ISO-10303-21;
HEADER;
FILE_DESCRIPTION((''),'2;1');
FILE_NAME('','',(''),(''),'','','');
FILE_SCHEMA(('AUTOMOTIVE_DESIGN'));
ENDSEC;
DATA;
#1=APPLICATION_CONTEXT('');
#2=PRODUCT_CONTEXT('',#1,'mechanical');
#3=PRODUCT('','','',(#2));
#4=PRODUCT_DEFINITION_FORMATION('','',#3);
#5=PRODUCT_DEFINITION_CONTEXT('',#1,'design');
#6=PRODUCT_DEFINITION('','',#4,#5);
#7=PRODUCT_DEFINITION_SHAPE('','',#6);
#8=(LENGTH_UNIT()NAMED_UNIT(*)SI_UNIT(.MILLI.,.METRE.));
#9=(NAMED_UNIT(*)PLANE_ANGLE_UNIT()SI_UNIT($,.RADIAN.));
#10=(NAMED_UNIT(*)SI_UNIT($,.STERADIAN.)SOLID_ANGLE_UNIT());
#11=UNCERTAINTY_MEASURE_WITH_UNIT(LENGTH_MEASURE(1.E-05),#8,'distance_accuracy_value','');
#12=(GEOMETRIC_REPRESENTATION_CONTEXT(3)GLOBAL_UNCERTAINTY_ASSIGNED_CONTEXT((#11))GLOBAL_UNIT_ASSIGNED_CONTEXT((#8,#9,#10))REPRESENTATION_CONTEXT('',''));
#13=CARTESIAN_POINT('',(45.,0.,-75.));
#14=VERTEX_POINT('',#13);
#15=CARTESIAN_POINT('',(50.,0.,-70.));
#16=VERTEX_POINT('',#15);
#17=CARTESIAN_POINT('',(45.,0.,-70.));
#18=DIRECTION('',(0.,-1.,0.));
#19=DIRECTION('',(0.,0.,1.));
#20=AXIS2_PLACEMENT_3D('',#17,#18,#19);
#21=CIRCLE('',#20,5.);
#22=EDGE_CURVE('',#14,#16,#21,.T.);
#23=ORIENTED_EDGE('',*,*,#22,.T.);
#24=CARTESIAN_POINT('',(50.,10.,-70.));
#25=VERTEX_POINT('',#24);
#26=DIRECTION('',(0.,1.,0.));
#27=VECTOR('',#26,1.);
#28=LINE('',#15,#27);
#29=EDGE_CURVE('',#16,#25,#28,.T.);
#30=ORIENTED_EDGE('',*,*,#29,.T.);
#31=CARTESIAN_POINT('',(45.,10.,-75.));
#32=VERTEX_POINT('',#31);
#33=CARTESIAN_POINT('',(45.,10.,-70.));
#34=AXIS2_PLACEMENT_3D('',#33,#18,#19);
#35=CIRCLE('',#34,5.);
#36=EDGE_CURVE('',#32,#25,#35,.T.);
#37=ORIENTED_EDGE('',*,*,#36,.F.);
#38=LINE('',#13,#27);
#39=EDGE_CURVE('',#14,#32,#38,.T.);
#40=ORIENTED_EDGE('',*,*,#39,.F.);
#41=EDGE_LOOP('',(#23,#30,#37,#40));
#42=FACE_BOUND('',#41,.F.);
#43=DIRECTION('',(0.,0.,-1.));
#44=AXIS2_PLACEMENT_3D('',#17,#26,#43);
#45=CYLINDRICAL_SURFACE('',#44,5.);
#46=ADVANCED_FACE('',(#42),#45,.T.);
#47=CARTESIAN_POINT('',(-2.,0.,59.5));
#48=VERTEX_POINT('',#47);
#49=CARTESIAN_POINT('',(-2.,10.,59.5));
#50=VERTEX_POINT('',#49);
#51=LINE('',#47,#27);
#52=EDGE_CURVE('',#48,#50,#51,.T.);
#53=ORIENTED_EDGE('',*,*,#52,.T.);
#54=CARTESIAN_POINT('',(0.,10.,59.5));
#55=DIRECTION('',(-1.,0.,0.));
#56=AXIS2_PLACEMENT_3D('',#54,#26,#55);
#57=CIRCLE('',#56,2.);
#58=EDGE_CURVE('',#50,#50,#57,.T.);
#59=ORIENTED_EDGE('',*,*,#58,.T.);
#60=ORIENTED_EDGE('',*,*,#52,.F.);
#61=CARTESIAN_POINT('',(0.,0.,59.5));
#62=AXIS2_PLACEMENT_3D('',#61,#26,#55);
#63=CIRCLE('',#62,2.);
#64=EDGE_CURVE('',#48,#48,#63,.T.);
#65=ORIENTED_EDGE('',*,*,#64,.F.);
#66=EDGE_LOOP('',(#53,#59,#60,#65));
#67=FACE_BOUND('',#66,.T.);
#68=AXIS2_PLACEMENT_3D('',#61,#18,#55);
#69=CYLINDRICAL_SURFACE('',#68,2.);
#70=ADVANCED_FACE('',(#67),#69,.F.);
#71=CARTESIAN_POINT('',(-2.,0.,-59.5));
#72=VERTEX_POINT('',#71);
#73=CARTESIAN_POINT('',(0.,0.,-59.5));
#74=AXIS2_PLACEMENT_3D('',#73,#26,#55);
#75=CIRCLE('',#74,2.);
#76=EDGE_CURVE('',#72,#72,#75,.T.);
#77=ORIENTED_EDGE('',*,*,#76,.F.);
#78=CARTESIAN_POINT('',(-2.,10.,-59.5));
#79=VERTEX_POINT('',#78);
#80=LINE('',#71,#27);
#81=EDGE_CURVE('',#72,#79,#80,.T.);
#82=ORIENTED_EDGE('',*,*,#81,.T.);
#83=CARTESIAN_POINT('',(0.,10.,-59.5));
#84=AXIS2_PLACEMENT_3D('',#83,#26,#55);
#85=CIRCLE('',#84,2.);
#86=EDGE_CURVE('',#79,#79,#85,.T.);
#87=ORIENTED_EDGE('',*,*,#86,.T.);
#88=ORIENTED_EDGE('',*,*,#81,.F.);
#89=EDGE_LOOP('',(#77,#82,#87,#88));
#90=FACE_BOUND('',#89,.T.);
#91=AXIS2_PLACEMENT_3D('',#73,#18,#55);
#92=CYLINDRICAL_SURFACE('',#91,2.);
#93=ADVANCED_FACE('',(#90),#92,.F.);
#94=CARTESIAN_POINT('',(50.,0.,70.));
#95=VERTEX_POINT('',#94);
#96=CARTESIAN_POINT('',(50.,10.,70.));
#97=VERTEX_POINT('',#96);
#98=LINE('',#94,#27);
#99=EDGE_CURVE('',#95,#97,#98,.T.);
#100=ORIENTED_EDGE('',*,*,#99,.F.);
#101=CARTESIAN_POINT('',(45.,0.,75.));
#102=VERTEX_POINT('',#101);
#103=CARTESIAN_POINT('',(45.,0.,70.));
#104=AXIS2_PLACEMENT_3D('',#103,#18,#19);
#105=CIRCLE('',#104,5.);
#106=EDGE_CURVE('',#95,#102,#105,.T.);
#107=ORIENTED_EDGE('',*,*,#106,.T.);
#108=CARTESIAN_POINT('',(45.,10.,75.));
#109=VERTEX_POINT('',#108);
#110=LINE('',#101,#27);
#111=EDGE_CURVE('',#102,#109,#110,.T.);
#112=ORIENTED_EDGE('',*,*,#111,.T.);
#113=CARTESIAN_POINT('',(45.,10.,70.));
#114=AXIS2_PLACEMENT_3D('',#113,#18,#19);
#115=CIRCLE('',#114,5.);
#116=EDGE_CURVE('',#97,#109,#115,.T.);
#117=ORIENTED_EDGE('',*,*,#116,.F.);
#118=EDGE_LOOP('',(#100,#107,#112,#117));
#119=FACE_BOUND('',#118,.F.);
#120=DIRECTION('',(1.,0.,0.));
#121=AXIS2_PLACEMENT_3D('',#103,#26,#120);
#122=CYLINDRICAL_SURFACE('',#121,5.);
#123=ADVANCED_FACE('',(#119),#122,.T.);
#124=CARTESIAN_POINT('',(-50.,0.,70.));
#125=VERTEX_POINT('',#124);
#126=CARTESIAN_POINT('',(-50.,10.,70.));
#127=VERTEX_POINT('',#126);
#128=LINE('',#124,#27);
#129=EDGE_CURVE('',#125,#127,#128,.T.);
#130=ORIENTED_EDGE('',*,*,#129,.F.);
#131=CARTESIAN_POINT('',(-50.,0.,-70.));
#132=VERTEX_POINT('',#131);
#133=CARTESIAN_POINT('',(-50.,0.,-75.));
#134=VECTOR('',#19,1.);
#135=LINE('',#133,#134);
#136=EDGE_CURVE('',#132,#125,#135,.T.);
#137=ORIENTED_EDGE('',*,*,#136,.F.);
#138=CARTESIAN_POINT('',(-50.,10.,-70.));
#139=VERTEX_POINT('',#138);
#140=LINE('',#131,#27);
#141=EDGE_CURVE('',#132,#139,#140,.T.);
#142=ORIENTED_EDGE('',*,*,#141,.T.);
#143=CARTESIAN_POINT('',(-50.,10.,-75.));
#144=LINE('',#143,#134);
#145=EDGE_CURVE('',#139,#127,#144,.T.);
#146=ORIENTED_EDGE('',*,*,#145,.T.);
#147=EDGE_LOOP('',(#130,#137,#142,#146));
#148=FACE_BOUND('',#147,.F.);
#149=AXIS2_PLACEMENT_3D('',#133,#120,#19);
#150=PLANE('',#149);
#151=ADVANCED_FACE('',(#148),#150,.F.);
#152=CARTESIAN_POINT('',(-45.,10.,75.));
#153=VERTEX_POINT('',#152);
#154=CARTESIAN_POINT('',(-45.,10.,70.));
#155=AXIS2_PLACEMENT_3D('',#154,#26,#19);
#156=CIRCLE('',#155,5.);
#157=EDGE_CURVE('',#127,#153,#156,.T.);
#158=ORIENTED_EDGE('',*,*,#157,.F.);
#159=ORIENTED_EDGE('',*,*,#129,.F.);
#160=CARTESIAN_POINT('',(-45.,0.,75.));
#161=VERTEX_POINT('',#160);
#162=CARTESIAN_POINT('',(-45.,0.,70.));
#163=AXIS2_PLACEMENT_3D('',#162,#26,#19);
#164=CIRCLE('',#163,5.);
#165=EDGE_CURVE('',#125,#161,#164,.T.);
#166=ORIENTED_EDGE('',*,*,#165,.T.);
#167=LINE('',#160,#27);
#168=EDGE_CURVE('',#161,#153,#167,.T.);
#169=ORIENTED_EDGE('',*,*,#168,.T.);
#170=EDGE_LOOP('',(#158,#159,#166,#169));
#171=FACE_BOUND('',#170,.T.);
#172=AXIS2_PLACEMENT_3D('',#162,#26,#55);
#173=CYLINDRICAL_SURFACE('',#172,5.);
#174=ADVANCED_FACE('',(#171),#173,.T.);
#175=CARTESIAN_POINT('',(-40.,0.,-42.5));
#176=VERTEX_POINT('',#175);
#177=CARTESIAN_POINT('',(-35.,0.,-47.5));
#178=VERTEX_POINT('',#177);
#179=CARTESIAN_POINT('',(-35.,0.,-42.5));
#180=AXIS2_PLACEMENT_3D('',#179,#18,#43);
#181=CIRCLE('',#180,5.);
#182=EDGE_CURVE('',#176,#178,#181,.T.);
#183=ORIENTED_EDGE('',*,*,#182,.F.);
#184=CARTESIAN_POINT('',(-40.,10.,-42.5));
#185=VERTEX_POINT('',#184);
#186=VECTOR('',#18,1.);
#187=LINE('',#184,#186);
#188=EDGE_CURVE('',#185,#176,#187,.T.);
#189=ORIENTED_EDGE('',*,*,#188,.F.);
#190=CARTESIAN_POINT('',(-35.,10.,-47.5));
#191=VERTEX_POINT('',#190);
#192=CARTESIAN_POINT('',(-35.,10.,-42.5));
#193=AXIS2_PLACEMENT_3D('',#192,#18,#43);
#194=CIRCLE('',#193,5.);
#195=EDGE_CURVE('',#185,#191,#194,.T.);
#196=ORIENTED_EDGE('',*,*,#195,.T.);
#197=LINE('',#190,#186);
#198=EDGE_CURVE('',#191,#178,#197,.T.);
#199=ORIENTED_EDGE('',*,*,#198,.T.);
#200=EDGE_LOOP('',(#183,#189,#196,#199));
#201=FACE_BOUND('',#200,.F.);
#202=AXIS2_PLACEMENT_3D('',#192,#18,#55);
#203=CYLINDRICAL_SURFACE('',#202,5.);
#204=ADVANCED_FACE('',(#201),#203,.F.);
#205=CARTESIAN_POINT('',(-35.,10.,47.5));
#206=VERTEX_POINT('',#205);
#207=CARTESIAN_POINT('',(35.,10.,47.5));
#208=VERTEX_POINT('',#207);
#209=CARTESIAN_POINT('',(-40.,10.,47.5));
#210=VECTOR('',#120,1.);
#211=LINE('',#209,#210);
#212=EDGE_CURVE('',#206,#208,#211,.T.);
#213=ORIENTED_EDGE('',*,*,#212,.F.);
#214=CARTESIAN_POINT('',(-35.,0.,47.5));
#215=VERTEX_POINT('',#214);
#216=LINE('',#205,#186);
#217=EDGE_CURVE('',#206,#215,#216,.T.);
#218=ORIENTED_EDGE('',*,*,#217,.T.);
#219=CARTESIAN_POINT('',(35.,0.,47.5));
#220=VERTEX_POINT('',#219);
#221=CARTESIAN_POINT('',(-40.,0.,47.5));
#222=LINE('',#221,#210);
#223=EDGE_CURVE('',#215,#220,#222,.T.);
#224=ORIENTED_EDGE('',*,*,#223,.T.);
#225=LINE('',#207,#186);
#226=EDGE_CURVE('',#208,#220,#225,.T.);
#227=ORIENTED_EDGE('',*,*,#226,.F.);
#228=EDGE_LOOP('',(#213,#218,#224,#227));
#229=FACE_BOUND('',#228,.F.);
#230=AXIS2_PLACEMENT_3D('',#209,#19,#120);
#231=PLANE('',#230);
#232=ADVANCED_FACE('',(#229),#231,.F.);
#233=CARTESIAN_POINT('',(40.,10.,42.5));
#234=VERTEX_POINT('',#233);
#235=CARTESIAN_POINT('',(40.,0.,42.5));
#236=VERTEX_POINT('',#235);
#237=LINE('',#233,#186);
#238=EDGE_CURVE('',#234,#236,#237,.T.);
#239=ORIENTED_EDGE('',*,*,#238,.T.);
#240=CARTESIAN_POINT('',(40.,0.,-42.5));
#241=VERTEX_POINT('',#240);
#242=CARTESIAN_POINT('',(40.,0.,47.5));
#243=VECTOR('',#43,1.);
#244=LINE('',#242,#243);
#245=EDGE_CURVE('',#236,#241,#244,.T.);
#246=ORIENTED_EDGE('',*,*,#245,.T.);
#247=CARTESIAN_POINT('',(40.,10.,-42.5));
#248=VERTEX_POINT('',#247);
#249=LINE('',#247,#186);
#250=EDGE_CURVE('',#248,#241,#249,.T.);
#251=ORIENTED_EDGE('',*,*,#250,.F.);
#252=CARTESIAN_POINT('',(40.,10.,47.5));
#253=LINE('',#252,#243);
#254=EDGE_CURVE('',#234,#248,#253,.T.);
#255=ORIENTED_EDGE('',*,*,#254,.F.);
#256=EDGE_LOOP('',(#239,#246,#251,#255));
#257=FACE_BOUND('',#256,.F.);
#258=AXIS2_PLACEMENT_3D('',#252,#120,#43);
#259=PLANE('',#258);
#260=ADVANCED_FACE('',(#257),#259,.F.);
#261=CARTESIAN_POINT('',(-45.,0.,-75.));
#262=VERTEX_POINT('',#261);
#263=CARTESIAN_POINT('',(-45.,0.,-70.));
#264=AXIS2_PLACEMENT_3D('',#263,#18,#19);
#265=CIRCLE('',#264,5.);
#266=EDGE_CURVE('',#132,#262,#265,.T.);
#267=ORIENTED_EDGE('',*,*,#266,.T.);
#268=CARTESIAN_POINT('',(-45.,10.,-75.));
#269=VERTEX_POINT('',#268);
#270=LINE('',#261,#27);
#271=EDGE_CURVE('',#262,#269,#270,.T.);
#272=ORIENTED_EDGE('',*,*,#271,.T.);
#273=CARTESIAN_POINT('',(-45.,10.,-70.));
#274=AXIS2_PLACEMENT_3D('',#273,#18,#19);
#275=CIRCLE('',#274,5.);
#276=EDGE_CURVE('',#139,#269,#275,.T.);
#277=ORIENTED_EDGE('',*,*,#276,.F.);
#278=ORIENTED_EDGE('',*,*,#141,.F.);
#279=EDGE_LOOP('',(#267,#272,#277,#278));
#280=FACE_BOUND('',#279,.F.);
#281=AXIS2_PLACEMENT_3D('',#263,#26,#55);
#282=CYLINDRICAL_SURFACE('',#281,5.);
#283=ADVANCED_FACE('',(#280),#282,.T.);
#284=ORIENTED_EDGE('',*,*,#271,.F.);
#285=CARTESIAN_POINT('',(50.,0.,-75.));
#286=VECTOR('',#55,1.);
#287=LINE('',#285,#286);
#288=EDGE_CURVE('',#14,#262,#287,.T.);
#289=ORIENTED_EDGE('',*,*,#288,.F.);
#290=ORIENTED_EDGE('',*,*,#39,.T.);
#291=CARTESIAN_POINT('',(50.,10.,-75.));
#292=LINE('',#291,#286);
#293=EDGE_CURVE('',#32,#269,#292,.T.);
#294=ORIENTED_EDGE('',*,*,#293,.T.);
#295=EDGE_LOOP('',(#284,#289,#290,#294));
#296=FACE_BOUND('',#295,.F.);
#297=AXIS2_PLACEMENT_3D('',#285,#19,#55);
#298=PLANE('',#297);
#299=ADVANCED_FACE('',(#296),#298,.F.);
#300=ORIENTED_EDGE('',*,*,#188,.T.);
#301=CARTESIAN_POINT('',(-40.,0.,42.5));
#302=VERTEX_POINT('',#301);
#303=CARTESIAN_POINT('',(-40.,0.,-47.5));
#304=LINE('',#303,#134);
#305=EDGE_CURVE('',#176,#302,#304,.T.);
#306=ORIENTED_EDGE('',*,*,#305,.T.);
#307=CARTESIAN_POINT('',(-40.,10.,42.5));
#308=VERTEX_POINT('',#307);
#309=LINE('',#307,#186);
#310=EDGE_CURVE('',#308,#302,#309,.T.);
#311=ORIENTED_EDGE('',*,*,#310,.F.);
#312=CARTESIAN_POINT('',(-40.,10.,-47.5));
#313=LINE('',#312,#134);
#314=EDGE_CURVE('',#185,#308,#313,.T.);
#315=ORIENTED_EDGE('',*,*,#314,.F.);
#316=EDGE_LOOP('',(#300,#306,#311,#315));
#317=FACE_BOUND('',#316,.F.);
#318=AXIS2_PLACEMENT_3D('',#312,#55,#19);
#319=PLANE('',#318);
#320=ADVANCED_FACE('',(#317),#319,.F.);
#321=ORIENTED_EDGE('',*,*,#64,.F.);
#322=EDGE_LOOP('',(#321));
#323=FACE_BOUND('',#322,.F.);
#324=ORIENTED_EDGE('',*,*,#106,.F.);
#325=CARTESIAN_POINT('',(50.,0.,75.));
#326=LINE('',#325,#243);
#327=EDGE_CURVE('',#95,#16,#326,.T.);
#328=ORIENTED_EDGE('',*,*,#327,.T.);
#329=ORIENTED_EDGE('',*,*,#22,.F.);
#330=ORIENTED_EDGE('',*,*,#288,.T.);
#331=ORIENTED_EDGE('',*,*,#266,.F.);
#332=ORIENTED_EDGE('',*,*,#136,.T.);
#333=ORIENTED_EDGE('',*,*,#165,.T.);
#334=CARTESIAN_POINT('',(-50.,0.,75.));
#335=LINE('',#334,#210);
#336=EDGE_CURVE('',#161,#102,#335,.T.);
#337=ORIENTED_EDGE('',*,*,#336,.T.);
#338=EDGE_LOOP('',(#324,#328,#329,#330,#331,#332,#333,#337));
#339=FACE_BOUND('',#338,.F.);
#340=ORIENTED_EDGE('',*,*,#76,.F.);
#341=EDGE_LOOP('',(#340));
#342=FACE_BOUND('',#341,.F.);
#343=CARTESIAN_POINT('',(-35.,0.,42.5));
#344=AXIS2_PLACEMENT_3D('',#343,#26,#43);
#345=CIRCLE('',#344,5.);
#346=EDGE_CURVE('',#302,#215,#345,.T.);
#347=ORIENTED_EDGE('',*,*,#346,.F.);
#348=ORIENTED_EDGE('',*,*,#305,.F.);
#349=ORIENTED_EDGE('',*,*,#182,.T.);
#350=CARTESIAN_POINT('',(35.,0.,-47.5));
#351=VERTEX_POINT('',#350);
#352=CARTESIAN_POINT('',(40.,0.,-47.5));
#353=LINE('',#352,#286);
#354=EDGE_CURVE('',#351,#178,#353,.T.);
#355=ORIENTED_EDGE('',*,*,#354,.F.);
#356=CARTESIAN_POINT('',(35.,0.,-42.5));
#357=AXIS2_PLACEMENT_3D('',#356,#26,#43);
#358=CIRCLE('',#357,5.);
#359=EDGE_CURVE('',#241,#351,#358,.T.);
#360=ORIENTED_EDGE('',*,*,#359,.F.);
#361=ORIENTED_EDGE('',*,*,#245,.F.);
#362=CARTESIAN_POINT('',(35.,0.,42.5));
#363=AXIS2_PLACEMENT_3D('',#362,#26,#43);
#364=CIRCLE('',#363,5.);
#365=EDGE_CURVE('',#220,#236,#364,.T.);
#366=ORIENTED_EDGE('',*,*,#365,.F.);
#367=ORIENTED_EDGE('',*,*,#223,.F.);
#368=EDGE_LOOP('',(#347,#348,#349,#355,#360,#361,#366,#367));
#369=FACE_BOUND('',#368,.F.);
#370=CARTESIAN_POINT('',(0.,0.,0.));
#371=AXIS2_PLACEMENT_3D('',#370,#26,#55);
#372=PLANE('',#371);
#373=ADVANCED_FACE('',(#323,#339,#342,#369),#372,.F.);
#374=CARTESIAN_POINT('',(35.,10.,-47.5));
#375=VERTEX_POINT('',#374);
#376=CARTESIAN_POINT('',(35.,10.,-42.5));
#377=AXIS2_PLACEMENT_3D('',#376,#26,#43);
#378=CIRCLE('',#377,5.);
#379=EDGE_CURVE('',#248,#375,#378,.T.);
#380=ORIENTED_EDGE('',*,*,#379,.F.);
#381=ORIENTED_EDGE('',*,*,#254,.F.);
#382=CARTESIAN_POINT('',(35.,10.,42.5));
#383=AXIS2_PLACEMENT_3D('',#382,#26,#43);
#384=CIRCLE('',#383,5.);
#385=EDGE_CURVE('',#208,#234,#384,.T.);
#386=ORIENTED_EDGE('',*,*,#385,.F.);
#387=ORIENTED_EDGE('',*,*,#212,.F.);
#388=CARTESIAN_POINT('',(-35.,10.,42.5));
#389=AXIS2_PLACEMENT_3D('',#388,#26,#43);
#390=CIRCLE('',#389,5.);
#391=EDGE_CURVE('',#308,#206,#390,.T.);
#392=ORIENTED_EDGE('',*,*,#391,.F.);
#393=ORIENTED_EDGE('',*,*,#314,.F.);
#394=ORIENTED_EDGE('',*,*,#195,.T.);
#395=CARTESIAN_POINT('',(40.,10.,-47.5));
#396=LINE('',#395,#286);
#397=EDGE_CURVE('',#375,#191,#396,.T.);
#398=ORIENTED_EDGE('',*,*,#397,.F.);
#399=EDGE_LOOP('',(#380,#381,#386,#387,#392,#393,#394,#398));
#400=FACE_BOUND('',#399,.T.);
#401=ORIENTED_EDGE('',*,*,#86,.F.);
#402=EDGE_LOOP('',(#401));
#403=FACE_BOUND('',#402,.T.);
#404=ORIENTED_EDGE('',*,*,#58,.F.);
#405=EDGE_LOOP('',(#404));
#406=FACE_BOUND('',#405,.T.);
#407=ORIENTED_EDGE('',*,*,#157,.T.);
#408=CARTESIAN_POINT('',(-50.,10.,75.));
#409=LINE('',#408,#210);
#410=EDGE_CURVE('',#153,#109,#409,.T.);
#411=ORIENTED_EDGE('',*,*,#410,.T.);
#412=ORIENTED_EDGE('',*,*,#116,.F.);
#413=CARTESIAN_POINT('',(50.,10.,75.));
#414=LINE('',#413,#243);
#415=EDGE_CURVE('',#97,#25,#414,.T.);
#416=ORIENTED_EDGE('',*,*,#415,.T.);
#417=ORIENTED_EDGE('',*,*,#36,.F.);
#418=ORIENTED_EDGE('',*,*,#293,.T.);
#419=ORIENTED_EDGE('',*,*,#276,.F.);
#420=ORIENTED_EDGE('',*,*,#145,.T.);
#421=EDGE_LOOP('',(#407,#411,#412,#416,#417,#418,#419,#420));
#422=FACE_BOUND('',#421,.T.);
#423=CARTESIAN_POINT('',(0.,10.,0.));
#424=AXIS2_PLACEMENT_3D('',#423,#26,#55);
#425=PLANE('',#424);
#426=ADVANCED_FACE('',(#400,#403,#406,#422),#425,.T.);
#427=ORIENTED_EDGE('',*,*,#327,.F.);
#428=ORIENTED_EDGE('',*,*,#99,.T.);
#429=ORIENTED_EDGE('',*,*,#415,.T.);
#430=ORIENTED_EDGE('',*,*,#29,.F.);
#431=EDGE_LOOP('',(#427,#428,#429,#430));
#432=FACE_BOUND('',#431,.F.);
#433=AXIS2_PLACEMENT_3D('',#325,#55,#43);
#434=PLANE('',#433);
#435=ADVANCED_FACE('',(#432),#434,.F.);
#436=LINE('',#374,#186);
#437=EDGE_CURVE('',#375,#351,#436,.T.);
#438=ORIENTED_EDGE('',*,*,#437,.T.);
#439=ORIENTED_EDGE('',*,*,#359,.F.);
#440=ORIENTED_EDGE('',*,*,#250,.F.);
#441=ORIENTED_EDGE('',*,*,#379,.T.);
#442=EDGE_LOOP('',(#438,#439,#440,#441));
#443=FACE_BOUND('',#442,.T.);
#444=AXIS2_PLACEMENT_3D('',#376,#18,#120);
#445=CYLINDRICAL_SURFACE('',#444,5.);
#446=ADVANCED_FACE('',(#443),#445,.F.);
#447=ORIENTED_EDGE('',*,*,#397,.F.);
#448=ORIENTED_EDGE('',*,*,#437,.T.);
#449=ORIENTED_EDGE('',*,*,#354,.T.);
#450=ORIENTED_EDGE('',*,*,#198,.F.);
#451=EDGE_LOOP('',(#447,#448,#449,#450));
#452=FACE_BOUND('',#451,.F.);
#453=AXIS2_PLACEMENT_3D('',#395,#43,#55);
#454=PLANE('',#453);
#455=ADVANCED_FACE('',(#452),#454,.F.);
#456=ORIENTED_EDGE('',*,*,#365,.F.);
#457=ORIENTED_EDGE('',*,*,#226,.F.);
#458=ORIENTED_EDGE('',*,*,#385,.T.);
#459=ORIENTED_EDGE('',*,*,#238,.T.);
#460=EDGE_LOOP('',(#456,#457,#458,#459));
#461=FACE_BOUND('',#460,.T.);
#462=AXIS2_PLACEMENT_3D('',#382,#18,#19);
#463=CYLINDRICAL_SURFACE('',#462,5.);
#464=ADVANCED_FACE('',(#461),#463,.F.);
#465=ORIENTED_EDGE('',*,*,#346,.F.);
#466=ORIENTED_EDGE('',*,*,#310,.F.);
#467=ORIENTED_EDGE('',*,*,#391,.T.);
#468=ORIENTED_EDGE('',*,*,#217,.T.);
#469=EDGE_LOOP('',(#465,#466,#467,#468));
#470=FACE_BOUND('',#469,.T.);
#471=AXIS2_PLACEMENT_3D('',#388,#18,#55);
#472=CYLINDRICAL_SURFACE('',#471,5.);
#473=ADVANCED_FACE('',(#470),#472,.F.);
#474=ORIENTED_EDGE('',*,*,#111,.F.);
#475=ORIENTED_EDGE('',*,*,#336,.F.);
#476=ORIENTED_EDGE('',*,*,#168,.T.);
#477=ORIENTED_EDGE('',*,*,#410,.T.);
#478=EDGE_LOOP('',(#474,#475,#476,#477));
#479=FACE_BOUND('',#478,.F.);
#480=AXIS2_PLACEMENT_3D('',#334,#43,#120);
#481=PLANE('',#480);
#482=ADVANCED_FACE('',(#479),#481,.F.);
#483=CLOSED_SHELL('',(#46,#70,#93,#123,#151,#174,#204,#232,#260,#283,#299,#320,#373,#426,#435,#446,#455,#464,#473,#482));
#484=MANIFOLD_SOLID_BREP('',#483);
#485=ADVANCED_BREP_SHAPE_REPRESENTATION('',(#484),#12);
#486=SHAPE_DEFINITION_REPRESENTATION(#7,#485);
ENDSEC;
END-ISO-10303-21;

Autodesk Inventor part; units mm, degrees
ref_plane "YZ Plane" through (0, 0, 0) normal (1, 0, 0) x (0, 1, 0)
ref_plane "XZ Plane" through (0, 0, 0) normal (0, 1, 0) x (-1, 0, 0)
ref_plane "XY Plane" through (0, 0, 0) normal (0, 0, 1) x (1, 0, 0)
sketch "Sketch1" plane through (0, 0, 0) normal (0, 1, 0) x (-1, 0, 0)
  line L0 (50, 75) -> (-50, 75)
  line L1 (-50, 75) -> (-50, -75)
  line L2 (-50, -75) -> (50, -75)
  line L3 (50, -75) -> (50, 75)
  line L4 (50, 75) -> (-50, -75) construction
  line L5 (-50, 75) -> (50, -75) construction
  circle A0 centre (0, 59.5) radius 2
  line L6 (0, 0) -> (50, 0) construction
  circle A1 centre (0, -59.5) radius 2
  dimension "d0" = 150
  dimension "d1" = 100
  dimension "d2" = 59.5
  dimension "d3" = 4
extrude "Extrusion1" add sketch "Sketch1" along normal blind 10
fillet "Fillet1" radius 5 4 edges at (50, 5, 75) (50, 5, -75) (-50, 5, 75) (-50, 5, -75)
sketch "Sketch2" plane through (0, 10, 0) normal (0, 1, 0) x (1, 0, 0)
  line L0 (-40, -47.5) -> (40, -47.5)
  line L1 (40, -47.5) -> (40, 47.5)
  line L2 (40, 47.5) -> (-40, 47.5)
  line L3 (-40, 47.5) -> (-40, -47.5)
  line L4 (-40, -47.5) -> (40, 47.5) construction
  line L5 (40, -47.5) -> (-40, 47.5) construction
  point P0 (0, 0)
  dimension "d7" = 95
  dimension "d8" = 80
extrude "Extrusion2" cut sketch "Sketch2" against normal blind 10
fillet "Fillet2" radius 5 4 edges at (-40, 5, -47.5) (40, 5, -47.5) (40, 5, 47.5) (-40, 5, 47.5)
properties part number "Base(4mm holes)"
